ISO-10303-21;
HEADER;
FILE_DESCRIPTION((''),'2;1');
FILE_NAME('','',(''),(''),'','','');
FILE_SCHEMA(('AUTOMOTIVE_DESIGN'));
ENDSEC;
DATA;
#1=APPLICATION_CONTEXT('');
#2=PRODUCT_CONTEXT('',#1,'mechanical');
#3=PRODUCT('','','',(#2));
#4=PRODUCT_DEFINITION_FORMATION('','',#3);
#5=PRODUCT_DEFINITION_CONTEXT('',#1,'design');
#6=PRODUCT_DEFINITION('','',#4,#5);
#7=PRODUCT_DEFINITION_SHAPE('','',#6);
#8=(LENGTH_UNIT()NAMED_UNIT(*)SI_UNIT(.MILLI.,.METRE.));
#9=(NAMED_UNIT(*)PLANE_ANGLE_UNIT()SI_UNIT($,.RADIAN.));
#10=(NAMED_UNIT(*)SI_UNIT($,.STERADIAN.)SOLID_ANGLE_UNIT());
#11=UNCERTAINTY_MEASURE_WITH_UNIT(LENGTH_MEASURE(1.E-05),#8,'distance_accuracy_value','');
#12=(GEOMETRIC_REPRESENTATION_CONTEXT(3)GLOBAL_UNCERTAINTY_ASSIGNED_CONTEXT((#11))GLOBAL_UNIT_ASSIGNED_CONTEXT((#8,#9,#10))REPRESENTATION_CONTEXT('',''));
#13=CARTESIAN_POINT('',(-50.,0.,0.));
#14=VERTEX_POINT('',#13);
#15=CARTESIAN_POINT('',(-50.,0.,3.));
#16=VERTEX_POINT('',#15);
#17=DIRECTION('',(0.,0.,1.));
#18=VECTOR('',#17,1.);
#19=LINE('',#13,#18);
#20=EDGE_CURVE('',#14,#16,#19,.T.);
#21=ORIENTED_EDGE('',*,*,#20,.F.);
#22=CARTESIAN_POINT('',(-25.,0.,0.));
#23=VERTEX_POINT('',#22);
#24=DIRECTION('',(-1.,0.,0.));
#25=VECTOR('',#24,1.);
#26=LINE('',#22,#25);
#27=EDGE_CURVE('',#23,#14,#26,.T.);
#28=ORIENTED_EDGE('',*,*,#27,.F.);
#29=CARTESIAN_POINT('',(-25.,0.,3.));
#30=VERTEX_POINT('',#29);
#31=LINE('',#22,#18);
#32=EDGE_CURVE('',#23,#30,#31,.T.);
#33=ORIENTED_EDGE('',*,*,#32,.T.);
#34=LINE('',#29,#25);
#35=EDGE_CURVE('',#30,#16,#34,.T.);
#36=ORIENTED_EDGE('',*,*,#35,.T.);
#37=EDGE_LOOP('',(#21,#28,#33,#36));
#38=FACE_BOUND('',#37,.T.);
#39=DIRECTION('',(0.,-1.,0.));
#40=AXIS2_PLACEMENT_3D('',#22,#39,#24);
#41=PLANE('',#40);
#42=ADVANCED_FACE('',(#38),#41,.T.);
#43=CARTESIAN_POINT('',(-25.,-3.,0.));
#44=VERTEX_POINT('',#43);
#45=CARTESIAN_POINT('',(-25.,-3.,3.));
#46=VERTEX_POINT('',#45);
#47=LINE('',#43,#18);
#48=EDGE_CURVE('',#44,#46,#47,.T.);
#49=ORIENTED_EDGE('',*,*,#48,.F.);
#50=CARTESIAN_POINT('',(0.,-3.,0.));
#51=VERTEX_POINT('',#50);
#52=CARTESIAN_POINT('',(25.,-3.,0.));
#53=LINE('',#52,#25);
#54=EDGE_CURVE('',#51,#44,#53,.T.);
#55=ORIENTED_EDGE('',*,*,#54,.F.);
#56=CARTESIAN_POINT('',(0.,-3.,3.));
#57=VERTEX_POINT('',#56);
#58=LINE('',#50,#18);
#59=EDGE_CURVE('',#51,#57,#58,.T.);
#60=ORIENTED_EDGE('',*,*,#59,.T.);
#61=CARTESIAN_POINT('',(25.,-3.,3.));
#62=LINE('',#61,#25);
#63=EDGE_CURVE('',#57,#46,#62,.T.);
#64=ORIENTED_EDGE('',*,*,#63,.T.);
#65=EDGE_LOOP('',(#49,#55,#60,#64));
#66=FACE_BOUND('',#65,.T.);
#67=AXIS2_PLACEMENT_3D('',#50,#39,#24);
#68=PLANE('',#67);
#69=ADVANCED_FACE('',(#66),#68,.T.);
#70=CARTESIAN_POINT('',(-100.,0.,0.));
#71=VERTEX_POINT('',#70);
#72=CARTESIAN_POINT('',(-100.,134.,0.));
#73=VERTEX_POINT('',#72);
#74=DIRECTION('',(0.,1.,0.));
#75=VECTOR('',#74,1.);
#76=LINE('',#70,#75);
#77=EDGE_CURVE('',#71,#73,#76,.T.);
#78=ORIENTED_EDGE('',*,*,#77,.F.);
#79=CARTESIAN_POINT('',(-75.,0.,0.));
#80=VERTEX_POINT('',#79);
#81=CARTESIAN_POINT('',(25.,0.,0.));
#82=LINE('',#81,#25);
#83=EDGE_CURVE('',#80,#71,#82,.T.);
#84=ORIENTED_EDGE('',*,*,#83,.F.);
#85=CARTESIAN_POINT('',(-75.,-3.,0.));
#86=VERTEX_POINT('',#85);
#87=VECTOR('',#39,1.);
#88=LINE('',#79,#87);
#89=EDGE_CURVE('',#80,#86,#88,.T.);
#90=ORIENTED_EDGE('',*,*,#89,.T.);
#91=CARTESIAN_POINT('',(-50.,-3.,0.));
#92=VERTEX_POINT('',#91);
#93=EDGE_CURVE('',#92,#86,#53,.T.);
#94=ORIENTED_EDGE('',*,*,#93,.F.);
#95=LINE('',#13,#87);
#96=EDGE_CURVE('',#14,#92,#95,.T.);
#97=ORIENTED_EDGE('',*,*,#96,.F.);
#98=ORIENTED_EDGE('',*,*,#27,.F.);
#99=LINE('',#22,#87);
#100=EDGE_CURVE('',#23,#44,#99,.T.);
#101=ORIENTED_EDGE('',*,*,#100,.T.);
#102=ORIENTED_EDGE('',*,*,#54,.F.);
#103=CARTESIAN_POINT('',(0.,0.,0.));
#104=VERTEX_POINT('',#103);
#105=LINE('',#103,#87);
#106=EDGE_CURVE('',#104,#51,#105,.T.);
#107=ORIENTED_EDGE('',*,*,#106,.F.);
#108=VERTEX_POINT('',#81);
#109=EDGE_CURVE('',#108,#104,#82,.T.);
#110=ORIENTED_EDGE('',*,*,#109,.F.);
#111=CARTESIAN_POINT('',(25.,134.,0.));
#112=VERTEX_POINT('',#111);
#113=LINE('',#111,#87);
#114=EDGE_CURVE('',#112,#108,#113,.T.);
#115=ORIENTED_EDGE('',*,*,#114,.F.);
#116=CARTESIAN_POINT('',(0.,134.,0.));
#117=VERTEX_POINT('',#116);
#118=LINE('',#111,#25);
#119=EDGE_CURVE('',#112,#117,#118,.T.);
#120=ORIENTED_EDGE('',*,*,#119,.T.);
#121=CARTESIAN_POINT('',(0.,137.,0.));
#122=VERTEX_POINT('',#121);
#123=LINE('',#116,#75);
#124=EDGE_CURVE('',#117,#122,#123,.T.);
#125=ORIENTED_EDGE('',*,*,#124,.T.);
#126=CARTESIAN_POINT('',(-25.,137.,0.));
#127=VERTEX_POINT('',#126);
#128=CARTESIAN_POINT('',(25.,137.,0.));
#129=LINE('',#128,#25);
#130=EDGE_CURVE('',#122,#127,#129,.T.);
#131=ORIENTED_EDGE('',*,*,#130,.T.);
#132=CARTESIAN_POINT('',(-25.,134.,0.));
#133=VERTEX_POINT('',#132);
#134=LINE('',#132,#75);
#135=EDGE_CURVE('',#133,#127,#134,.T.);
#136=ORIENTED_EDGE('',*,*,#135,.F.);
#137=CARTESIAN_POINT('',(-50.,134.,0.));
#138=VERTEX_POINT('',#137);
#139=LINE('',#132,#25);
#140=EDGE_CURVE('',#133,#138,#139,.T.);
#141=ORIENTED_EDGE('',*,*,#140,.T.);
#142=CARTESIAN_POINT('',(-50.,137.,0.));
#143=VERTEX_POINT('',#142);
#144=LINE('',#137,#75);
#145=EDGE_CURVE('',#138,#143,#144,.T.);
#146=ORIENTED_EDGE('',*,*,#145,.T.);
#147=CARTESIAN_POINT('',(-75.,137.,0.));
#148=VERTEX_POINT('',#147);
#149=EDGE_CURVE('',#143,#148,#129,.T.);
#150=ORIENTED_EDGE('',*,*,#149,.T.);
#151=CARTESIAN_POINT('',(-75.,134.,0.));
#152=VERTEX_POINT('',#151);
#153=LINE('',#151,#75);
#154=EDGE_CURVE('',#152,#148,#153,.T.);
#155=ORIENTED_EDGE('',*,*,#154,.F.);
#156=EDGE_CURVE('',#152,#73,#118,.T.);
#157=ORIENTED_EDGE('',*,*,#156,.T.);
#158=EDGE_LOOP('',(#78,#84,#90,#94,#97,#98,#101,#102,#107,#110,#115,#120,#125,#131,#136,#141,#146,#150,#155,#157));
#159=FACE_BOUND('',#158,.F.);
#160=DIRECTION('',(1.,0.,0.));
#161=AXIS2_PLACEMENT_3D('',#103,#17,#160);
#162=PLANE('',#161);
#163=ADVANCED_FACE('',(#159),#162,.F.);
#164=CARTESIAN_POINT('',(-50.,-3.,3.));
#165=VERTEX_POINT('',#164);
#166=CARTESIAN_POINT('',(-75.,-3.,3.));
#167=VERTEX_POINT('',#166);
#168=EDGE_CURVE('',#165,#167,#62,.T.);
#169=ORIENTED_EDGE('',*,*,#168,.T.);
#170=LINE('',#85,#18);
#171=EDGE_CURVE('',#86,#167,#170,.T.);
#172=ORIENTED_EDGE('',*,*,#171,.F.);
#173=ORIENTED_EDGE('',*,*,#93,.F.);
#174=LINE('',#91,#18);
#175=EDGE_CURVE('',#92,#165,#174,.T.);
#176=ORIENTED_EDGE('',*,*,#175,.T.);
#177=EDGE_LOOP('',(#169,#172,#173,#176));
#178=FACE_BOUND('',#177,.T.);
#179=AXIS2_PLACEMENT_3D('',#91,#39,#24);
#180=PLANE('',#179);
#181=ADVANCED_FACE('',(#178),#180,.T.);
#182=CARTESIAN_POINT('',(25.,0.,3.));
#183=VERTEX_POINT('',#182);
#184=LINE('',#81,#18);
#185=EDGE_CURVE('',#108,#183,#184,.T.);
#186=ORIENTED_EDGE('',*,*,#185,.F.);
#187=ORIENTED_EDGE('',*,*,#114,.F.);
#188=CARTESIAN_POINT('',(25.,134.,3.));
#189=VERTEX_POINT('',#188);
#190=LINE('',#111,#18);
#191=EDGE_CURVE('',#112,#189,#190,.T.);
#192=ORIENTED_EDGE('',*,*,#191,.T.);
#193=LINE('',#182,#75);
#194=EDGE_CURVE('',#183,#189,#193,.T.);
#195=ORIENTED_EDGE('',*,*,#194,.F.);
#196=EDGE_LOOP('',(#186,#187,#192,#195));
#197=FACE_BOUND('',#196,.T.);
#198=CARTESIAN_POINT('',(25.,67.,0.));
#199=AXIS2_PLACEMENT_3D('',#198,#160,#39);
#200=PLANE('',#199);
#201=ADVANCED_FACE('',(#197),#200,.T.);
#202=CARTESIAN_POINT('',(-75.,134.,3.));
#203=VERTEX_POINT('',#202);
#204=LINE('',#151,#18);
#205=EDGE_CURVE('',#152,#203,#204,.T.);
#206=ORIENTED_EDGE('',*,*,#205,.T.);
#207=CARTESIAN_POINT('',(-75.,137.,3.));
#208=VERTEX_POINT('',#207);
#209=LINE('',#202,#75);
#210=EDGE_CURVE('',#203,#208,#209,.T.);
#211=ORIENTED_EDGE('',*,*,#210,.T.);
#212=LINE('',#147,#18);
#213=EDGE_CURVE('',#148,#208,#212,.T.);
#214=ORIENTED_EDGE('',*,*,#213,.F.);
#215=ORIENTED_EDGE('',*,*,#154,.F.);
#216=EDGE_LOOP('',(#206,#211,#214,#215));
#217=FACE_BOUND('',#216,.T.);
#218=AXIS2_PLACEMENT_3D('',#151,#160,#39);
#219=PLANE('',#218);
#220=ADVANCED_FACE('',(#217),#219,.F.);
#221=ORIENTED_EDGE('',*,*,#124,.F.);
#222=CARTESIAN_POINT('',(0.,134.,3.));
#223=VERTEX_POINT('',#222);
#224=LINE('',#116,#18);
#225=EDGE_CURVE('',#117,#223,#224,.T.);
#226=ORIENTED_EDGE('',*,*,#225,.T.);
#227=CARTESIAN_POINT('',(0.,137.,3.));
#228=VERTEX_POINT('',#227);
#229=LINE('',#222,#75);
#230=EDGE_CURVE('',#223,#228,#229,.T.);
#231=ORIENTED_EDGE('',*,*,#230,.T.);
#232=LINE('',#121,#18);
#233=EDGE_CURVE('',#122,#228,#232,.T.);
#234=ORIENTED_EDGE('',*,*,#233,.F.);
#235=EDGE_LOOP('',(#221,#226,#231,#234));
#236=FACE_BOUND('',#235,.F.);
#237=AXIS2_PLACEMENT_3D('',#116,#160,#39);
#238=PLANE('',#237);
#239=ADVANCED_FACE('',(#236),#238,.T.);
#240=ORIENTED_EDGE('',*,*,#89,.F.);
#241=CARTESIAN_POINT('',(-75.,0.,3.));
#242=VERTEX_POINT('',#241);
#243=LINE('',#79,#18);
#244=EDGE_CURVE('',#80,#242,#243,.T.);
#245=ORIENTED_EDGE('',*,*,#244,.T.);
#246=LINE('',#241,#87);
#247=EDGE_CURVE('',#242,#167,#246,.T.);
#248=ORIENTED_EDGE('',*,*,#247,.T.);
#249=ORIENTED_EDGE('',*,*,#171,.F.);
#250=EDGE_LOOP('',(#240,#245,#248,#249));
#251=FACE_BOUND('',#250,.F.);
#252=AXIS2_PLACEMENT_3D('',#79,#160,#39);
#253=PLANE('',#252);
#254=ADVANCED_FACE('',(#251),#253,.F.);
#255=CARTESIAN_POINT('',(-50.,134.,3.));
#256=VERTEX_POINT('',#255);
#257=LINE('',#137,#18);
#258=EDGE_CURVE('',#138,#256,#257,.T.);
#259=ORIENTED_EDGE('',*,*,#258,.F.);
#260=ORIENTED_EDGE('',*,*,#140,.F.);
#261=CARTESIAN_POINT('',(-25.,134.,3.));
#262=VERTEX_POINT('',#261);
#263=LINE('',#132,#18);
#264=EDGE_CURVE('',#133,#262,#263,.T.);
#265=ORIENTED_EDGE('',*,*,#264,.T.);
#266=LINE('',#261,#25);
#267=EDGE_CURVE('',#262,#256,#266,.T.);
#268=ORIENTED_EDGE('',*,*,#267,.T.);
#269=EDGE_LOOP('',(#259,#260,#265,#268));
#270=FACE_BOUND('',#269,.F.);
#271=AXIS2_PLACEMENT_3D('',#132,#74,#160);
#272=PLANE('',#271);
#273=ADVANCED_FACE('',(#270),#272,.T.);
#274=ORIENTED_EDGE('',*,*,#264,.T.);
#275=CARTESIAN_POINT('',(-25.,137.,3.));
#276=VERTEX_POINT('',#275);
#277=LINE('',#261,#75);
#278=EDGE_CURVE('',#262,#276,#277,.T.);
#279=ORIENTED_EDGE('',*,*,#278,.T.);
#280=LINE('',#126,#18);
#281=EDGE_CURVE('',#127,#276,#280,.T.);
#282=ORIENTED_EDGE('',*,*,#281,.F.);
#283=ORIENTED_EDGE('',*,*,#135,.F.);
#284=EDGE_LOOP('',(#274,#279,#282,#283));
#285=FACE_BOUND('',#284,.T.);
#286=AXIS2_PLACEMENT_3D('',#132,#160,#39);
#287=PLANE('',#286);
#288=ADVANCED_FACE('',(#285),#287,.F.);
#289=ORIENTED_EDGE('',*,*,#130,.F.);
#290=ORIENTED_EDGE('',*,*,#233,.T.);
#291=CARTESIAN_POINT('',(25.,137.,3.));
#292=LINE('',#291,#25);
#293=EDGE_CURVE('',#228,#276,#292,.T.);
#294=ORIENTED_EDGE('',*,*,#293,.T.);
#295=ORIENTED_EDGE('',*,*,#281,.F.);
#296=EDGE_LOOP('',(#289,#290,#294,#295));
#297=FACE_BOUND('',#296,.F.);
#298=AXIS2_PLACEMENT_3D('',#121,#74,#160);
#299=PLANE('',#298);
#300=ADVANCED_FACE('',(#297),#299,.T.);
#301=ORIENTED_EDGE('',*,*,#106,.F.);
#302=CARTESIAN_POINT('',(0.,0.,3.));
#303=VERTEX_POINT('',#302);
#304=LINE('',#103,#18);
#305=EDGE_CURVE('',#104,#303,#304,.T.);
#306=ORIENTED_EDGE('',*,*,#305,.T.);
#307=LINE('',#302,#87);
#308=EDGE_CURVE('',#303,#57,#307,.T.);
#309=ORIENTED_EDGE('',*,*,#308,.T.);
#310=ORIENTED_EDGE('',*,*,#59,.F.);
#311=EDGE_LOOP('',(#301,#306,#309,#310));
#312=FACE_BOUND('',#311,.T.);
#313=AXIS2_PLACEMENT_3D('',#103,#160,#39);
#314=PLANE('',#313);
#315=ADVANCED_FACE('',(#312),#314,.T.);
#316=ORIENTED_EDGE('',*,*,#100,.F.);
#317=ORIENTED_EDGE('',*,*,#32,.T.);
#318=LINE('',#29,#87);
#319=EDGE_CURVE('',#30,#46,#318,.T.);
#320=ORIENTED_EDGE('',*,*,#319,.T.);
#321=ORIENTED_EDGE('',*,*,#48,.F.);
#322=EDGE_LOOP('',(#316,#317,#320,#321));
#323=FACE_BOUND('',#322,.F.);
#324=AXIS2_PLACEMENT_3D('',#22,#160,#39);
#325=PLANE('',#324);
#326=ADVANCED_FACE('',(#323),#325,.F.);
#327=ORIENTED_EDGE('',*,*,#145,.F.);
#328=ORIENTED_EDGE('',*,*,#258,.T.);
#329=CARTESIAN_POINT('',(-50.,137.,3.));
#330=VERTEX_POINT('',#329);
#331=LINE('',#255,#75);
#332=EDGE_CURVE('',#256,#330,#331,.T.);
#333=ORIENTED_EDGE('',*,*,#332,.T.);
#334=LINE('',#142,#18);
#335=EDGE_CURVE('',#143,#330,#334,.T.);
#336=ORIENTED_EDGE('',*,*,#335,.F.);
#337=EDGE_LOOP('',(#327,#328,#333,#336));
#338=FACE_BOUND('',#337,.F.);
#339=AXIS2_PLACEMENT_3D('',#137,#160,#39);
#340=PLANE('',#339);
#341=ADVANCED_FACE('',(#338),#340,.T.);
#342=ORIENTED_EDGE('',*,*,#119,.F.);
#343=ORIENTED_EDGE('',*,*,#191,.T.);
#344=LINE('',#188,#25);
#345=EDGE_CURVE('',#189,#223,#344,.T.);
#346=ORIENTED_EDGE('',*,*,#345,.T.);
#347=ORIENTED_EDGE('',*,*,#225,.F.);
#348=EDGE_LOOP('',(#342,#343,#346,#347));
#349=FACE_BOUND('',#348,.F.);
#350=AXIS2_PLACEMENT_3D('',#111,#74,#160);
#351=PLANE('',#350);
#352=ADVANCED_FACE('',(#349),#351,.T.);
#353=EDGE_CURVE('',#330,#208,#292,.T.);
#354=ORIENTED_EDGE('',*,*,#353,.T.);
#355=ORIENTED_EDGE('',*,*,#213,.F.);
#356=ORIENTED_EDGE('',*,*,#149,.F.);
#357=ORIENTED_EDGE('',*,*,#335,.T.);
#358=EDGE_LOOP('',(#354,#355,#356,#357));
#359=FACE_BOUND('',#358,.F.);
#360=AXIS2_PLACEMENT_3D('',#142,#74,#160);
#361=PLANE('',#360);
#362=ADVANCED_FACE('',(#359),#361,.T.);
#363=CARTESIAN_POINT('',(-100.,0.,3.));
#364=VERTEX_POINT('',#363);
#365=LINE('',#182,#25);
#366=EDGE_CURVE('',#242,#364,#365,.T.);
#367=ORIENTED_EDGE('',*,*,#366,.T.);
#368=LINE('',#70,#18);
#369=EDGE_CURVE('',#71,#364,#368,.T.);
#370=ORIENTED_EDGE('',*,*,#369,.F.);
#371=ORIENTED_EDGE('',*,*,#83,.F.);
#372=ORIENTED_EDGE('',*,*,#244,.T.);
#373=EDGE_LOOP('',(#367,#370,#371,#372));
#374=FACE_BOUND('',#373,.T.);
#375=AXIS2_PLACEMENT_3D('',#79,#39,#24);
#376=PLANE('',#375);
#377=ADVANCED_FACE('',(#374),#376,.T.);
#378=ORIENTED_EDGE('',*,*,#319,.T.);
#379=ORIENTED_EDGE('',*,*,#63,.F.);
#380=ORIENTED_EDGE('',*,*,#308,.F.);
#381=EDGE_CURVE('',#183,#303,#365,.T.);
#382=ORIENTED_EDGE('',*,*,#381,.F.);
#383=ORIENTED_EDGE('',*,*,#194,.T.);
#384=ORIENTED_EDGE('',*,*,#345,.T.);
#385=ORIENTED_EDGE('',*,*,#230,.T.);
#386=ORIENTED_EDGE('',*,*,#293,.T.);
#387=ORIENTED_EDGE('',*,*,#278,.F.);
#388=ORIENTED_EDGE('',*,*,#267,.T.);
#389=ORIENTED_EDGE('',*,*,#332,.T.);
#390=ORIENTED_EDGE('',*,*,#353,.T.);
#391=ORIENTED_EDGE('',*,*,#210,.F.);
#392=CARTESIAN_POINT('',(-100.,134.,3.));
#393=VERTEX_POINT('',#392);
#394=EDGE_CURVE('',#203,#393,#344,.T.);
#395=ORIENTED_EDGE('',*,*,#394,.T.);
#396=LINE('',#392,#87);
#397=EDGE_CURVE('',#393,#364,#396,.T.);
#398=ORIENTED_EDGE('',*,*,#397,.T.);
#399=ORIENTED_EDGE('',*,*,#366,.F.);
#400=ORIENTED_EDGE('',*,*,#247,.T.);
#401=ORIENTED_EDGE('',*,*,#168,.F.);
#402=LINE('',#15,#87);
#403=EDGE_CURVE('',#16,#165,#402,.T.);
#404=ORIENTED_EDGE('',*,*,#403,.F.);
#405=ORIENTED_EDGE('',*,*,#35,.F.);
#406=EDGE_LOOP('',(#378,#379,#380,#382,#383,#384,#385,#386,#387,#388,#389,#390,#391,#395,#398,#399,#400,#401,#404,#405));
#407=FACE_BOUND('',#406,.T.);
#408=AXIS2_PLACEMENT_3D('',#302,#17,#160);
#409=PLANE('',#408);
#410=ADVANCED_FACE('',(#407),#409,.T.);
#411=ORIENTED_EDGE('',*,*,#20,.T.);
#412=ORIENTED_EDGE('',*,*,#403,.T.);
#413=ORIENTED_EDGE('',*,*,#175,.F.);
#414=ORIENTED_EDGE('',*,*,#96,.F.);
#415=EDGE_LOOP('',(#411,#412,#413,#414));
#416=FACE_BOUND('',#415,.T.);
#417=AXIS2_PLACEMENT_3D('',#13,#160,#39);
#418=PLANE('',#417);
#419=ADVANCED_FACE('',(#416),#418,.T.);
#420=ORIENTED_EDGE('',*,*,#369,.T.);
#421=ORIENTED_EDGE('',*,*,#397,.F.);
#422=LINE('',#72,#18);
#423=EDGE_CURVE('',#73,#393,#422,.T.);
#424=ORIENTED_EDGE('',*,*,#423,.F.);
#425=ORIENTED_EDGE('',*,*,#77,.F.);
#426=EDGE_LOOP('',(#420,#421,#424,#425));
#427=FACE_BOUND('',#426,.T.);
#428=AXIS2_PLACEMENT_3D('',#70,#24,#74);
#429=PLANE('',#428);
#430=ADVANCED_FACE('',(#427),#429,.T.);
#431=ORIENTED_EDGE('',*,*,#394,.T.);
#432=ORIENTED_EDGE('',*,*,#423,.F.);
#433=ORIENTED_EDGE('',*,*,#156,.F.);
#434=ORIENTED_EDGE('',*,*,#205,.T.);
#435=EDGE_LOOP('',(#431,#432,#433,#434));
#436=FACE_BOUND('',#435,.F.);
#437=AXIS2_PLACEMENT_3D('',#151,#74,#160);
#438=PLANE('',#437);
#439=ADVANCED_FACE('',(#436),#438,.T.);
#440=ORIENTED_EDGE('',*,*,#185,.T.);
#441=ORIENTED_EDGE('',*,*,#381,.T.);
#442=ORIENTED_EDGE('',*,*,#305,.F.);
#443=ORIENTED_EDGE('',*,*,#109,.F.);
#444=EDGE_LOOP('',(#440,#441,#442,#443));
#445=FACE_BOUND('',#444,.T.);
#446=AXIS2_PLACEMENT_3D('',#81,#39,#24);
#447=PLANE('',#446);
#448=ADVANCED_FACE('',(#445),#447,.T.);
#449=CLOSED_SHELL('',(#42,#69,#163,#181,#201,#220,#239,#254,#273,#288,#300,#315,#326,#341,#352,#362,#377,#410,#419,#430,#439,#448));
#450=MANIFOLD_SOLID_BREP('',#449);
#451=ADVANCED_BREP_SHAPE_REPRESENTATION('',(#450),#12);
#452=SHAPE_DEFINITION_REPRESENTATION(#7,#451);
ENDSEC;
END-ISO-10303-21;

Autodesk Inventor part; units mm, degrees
ref_plane "YZ Plane" through (0, 0, 0) normal (1, 0, 0) x (0, 1, 0)
ref_plane "XZ Plane" through (0, 0, 0) normal (0, 1, 0) x (-1, 0, 0)
ref_plane "XY Plane" through (0, 0, 0) normal (0, 0, 1) x (1, 0, 0)
sketch "Sketch1" plane through (0, 0, 0) normal (0, 0, 1) x (1, 0, 0)
  line L0 (0, 0) -> (0, -3)
  line L1 (0, -3) -> (25, -3)
  line L2 (0, -3) -> (25, -3) construction
  line L3 (25, -3) -> (-100, -3)
  line L4 (-100, -3) -> (-100, 67)
  line L5 (-100, 67) -> (25, 67)
  line L6 (25, 67) -> (25, -3)
  line L7 (0, 0) -> (-25, 0)
  line L8 (-25, 0) -> (-25, -3)
  line L9 (-25, -3) -> (0, -3)
  line L10 (0, -3) -> (0, 0)
  line L11 (-25, 0) -> (-50, 0)
  line L12 (-50, 0) -> (-50, -3)
  line L13 (-50, -3) -> (-25, -3)
  line L14 (-25, -3) -> (-25, 0)
  line L15 (-50, 0) -> (-75, 0)
  line L16 (-75, 0) -> (-75, -3)
  line L17 (-75, -3) -> (-50, -3)
  line L18 (-50, -3) -> (-50, 0)
  line L19 (25, 0) -> (-100, 0)
  line L20 (-75, 0) -> (-100, 0)
  dimension "d0" = 3
  dimension "d1" = 25
  dimension "d2" = 0
  dimension "d3" = 125
  dimension "d4" = 70
  dimension "d5" = 25
  dimension "d6" = 3
  dimension "d7" = 25
  dimension "d8" = 3
  dimension "d9" = 25
  dimension "d10" = 3
extrude "Extrusion1" add sketch "Sketch1" along normal blind 3 contours L0 L3 L8 L7 | L7 L11 L15 L19 L4 L5 L6 | L12 L3 L16 L15
mirror "Mirror1" about plane through (25, 67, 0) normal (0, 1, 0) of "Extrusion1"
properties part number "achterbak"
